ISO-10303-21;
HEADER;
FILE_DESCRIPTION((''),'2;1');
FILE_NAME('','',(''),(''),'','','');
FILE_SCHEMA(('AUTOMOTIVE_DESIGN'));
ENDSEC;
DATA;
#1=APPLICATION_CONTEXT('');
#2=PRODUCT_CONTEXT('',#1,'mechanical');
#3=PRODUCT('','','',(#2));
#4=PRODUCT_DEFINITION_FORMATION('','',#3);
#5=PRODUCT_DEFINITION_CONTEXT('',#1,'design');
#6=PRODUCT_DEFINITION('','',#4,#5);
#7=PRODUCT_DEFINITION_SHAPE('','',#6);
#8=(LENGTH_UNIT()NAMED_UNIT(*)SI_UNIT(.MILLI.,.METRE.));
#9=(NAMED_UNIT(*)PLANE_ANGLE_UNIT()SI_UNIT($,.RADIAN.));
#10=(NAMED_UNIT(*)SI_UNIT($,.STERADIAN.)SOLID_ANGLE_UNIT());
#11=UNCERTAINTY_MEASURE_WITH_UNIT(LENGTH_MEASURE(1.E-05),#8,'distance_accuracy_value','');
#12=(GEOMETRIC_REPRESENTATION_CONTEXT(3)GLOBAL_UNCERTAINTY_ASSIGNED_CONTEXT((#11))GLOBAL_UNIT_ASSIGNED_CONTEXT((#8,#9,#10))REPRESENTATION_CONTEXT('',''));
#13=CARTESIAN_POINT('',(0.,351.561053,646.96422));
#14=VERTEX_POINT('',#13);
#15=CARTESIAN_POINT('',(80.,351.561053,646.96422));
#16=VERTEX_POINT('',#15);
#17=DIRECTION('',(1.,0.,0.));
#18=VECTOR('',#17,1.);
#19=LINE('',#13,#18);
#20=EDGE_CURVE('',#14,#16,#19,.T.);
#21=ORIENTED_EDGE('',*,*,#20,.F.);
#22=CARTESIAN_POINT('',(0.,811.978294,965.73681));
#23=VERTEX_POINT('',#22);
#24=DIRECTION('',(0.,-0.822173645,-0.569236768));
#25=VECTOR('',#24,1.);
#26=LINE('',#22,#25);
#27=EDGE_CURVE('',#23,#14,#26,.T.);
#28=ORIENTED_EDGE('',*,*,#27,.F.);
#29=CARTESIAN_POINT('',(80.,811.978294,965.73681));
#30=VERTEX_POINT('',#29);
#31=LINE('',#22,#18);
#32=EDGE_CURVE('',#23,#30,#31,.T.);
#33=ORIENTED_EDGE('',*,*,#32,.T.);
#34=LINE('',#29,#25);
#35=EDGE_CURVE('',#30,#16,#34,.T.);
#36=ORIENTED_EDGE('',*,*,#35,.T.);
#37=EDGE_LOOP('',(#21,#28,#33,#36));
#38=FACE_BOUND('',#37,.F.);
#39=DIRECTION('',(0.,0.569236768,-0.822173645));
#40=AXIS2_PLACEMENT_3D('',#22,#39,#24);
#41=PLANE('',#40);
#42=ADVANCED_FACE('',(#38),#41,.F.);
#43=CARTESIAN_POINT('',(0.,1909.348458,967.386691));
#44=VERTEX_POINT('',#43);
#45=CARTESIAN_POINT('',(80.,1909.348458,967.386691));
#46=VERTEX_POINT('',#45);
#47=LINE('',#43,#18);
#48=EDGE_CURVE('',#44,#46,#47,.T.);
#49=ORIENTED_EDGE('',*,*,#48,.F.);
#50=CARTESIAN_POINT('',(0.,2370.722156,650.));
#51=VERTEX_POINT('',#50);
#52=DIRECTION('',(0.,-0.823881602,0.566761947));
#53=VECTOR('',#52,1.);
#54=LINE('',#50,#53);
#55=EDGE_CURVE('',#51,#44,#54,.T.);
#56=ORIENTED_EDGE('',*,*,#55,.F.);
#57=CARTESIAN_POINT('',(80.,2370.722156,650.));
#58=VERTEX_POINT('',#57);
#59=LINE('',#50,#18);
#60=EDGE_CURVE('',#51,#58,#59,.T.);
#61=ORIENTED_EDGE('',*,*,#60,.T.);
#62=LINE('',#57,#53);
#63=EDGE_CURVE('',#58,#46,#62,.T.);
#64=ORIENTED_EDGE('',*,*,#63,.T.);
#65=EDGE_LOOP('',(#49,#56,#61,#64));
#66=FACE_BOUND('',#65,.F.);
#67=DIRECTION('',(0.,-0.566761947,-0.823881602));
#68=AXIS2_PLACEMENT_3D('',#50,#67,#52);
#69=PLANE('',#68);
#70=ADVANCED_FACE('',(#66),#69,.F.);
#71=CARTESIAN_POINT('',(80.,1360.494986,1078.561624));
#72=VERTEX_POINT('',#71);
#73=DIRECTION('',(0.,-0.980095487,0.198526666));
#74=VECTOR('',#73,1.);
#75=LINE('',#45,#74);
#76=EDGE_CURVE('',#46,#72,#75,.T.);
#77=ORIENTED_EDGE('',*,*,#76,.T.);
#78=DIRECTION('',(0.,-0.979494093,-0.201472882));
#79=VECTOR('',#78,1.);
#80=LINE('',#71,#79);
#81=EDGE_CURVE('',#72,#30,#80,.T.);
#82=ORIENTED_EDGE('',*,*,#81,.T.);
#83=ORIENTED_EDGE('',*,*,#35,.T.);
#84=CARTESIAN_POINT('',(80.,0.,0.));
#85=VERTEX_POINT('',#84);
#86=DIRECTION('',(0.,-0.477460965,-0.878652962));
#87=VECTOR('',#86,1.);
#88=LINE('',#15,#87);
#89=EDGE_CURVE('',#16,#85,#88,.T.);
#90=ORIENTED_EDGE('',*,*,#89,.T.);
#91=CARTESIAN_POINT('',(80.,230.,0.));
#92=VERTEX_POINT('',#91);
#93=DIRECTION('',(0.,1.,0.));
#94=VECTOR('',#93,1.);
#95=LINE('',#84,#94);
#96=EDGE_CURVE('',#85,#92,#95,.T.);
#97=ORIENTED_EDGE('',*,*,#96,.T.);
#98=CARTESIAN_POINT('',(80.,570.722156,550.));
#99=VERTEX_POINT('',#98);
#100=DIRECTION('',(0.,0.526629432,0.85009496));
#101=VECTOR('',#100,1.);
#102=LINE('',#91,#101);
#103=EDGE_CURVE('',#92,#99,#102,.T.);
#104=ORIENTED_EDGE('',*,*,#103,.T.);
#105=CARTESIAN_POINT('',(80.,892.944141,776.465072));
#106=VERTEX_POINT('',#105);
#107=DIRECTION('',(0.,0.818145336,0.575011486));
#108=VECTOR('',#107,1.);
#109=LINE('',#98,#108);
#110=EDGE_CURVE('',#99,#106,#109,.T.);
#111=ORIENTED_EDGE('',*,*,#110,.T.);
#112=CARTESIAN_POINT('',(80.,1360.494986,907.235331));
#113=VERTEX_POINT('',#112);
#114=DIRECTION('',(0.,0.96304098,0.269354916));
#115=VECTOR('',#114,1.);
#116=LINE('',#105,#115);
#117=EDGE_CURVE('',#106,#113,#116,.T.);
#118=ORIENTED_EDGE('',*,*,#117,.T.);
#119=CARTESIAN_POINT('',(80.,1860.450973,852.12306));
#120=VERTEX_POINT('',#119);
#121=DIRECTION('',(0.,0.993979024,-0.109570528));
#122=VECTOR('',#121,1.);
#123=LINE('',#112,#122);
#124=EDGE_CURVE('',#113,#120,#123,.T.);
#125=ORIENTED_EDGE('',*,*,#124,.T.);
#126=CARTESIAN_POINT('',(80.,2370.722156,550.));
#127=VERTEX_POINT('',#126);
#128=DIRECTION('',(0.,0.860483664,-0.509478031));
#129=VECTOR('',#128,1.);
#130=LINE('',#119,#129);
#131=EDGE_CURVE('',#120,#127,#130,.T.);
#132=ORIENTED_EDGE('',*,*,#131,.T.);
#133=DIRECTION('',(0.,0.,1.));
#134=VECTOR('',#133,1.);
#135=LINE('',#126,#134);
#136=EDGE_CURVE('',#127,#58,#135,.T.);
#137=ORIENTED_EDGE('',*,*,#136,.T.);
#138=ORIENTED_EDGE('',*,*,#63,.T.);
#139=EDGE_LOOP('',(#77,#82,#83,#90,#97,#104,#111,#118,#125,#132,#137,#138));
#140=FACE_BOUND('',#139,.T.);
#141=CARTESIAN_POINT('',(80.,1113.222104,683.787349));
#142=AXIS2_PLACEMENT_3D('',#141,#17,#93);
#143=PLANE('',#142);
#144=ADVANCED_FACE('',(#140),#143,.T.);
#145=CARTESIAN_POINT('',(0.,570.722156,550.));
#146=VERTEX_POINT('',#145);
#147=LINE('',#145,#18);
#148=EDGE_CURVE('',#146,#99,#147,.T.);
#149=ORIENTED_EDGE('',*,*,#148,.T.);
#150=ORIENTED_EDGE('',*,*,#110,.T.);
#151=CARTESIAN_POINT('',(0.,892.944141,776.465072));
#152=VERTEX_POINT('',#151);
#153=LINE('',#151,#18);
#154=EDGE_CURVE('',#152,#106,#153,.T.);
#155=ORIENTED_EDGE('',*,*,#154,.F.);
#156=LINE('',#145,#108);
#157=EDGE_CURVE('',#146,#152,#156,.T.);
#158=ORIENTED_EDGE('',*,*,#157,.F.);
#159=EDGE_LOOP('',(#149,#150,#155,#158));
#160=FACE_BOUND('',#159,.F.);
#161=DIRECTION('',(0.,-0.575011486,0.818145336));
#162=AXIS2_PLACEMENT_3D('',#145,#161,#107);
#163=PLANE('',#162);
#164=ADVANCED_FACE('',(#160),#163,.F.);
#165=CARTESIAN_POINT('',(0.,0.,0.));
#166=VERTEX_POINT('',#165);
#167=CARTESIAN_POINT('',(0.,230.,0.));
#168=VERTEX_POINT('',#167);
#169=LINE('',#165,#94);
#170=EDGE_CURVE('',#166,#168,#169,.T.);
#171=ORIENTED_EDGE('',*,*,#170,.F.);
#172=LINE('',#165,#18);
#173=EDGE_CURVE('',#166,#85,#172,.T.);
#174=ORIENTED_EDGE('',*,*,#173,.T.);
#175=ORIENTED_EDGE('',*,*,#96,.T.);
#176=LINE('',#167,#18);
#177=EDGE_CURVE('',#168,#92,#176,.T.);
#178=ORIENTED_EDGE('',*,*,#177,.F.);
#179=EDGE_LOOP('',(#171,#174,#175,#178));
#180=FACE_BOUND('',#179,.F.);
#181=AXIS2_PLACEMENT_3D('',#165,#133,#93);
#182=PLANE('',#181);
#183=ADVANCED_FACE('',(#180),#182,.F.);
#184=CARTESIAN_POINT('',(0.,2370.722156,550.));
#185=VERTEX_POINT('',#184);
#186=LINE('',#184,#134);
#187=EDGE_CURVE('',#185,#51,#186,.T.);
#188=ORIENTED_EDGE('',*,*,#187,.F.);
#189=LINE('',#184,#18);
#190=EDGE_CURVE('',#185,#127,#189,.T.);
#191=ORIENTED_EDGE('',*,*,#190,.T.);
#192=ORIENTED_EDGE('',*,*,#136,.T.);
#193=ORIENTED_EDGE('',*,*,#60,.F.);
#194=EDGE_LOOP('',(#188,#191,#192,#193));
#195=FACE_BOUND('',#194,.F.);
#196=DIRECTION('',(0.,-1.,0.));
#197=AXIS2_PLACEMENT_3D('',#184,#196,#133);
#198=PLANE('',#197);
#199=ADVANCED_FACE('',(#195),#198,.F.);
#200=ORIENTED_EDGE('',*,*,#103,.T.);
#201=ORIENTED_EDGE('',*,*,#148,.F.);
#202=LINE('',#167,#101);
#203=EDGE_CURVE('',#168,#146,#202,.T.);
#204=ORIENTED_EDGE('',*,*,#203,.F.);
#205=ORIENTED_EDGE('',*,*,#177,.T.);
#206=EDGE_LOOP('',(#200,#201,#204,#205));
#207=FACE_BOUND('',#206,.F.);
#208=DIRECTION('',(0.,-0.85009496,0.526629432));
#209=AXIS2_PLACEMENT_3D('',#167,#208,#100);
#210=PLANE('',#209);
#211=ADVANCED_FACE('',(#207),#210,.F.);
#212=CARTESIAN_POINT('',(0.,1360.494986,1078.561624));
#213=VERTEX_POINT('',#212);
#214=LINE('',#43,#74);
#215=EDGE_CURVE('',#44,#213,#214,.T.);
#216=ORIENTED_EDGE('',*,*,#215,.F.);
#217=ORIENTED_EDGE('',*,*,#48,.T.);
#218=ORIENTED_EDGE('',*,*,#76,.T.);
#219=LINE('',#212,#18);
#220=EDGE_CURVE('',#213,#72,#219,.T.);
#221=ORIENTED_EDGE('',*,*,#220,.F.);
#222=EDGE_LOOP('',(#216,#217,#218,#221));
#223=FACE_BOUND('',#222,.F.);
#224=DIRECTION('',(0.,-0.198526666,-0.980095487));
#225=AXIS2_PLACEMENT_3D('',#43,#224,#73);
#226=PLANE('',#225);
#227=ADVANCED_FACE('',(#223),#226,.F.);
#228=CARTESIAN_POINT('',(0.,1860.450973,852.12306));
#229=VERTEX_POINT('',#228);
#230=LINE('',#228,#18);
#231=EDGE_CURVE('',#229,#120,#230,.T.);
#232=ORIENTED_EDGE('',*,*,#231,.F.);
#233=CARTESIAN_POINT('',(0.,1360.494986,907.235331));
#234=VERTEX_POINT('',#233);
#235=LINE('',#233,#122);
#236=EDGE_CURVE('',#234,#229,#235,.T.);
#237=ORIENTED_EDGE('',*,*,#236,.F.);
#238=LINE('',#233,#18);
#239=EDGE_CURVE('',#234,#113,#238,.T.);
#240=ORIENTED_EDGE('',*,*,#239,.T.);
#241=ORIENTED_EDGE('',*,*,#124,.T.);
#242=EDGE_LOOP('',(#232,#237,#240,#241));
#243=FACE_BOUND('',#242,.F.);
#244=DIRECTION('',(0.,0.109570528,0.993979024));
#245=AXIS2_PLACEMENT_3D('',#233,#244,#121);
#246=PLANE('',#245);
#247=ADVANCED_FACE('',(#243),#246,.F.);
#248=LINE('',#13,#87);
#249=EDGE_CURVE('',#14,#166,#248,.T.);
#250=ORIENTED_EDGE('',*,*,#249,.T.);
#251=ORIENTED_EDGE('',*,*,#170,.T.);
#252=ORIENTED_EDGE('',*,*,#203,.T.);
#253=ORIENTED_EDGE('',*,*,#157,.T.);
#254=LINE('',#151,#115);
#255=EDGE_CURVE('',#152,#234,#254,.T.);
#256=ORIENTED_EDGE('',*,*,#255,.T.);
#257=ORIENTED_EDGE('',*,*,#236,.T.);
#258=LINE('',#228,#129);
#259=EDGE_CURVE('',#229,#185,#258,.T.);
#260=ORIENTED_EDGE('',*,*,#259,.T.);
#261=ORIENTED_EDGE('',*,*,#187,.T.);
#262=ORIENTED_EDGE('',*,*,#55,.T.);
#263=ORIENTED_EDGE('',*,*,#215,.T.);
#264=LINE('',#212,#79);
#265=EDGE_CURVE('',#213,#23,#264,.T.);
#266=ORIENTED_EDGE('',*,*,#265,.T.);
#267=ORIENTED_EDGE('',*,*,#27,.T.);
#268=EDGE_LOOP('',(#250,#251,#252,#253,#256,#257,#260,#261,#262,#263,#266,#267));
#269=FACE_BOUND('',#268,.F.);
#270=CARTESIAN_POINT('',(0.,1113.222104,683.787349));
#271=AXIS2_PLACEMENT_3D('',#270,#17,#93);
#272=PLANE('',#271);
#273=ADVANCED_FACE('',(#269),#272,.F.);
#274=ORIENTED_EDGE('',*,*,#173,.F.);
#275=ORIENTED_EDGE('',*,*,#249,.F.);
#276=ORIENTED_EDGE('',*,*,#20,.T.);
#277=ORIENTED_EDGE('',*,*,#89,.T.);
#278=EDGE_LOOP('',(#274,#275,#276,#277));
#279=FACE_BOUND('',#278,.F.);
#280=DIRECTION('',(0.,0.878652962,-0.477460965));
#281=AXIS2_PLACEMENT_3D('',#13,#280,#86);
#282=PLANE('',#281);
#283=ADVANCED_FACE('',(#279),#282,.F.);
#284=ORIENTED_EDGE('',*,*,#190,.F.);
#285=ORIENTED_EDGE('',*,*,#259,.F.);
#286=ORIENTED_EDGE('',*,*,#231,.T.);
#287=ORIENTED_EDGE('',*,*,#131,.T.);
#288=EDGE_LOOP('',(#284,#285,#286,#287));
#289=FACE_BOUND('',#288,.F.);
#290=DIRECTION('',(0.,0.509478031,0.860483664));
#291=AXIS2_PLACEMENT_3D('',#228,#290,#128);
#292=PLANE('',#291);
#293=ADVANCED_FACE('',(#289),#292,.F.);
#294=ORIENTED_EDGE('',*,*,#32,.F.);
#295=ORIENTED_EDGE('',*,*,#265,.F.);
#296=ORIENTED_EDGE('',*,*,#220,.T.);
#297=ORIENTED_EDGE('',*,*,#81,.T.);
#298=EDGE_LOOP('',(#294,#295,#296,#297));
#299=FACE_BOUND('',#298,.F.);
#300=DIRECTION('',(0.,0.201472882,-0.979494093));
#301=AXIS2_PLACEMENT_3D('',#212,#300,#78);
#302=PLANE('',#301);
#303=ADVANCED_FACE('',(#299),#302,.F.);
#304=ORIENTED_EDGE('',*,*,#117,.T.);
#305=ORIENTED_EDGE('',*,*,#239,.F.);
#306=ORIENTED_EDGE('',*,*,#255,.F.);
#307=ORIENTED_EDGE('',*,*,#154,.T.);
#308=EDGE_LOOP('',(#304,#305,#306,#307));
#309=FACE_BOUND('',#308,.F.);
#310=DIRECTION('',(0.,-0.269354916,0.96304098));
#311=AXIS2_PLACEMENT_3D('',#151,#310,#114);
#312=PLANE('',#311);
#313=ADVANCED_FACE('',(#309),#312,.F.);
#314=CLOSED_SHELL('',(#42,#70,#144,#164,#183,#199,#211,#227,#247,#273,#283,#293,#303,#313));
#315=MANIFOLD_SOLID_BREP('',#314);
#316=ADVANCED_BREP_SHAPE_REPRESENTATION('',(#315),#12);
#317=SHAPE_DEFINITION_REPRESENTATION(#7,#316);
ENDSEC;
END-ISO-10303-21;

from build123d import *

# Parameters (mm, degrees)
F1_DEPTH = 80


with BuildPart() as f1:
    # F0 (on Right) → F1 (new body)
    with BuildSketch(Plane.YZ):
        Polygon((351.561053, 646.96422), (0, 0), (115, 0), (230, 0), (570.722156, 550), (892.944141, 776.465072), (1360.494986, 907.235331), (1860.450973, 852.12306), (2370.722156, 550), (2370.722156, 650), (1909.348458, 967.386691), (1360.494986, 1078.561624), (811.978294, 965.73681), align=None)
    extrude(amount=F1_DEPTH)


solid = f1.part
